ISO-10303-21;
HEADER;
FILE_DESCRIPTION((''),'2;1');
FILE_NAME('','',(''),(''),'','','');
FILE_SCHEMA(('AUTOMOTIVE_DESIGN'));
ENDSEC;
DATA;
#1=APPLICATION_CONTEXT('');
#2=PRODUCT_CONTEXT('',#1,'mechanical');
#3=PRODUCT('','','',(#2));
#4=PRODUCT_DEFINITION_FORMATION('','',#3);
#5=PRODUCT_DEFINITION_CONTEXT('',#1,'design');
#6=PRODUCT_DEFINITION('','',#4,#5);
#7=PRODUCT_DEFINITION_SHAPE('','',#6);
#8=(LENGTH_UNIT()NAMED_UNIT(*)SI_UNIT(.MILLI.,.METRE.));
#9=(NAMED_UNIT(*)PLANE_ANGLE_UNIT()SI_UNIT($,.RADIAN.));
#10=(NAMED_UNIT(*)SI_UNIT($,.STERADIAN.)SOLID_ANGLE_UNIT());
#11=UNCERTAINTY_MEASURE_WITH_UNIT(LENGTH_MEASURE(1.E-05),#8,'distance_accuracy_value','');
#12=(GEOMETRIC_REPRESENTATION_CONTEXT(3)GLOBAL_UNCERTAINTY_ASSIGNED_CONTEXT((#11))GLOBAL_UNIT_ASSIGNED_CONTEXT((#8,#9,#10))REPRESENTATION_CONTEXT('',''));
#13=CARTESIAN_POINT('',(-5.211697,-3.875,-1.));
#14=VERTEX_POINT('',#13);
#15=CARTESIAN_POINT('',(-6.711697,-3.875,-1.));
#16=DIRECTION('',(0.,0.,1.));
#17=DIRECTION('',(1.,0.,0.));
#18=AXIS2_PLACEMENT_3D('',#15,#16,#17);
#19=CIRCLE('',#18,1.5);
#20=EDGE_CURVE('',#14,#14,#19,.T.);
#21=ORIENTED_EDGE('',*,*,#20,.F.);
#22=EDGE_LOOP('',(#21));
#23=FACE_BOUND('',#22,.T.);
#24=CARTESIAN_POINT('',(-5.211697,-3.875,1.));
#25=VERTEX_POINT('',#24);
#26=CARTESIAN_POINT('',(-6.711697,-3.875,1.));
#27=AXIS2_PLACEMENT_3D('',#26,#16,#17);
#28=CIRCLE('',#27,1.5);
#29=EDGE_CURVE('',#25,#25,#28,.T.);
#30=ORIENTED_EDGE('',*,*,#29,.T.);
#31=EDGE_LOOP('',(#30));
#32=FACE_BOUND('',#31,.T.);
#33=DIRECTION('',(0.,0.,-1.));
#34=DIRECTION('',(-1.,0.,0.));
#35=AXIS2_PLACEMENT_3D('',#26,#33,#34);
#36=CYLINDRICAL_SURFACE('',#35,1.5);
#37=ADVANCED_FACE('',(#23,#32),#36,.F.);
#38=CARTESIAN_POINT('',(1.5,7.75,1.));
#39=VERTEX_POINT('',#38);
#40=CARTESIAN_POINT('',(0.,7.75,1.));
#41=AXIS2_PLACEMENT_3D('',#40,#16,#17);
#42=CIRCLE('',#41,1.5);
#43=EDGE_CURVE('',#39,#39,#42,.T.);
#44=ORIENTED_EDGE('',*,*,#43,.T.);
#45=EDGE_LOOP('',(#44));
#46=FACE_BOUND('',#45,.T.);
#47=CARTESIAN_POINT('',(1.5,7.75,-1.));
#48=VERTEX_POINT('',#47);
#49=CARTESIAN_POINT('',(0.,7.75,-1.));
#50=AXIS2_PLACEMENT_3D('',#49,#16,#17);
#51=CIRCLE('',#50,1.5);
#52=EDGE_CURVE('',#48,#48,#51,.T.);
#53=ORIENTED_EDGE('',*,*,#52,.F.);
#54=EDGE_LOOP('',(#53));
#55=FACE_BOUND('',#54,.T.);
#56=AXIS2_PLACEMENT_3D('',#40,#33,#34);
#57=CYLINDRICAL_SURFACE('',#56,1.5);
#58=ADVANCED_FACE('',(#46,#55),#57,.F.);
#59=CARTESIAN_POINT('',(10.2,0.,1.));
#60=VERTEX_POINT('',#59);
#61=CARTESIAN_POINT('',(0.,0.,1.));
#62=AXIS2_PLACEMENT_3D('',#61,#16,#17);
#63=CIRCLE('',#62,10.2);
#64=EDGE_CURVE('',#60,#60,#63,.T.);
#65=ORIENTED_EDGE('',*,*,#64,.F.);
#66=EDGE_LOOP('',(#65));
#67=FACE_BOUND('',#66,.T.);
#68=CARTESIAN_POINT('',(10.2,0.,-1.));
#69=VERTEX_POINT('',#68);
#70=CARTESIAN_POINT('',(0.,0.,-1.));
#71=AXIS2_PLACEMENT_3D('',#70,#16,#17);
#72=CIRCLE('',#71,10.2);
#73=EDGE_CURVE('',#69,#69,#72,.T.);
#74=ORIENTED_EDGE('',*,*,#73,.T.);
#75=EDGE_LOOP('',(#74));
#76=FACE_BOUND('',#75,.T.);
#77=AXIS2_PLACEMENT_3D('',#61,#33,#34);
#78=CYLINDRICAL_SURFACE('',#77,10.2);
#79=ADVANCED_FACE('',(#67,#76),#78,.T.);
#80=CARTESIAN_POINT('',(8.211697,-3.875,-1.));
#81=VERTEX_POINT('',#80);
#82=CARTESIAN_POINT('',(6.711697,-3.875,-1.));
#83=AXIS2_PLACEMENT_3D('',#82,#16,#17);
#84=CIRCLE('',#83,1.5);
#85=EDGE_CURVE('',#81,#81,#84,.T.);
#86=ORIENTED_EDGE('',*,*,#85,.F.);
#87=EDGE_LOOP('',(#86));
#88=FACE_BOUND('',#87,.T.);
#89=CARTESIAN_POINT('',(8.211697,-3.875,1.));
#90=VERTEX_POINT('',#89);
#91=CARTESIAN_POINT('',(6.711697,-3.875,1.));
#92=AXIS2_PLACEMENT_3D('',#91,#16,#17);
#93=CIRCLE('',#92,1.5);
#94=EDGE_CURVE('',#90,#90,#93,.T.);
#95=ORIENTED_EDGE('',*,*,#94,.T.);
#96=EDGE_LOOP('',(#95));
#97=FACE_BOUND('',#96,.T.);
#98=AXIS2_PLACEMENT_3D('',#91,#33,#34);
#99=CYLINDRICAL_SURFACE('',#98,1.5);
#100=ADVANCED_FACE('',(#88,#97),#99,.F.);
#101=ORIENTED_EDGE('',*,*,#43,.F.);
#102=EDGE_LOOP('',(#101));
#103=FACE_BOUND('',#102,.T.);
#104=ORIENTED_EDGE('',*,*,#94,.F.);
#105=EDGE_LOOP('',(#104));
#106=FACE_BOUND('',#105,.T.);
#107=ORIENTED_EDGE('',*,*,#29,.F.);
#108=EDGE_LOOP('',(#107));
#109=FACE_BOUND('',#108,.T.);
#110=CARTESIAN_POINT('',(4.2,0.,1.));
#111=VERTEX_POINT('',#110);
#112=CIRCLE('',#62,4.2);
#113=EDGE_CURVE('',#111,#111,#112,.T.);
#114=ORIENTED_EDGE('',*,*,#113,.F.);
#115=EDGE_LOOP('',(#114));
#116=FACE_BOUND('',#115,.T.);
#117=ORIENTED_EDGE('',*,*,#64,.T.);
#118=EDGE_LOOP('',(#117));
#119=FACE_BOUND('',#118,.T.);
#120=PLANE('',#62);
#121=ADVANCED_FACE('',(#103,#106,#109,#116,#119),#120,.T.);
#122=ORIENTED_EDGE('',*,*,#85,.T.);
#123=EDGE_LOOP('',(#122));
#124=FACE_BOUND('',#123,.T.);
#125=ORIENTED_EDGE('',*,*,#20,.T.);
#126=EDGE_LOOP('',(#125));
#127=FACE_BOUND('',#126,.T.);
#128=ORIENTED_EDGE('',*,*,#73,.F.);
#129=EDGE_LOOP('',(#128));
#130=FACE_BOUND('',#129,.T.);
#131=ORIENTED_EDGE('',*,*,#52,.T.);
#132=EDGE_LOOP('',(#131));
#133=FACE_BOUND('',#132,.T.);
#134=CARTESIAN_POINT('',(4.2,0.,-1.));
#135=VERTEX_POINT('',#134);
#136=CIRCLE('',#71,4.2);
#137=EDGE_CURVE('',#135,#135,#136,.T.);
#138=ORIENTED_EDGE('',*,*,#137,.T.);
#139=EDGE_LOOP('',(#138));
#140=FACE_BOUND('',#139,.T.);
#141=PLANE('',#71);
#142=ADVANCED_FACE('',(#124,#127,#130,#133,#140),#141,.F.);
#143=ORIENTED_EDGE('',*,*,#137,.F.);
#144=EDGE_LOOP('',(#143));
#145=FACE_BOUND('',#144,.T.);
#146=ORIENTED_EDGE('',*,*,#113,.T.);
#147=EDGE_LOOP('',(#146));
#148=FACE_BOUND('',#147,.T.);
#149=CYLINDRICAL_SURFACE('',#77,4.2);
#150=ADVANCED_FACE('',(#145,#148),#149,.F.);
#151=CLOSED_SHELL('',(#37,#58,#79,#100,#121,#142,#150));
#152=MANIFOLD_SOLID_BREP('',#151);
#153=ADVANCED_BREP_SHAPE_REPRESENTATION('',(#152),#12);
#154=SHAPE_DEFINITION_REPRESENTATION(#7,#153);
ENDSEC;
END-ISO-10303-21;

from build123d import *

# Parameters (mm, degrees)
SKETCH_1_R      = 10.2
SKETCH_1_R_2    = 1.5
SKETCH_1_R_3    = 4.2
EXTRUDE_1_DEPTH = 1


with BuildPart() as part:
    # Эскиз1 → Бобышка-Вытянуть1 (new, symmetric)
    with BuildSketch(Plane.XY):
        Circle(SKETCH_1_R)
        with Locations((-6.711696879, -3.875)):
            Circle(SKETCH_1_R_2, mode=Mode.SUBTRACT)
        with Locations((0, 7.75)):
            Circle(SKETCH_1_R_2, mode=Mode.SUBTRACT)
        with Locations((6.711696879, -3.875)):
            Circle(SKETCH_1_R_2, mode=Mode.SUBTRACT)
        Circle(SKETCH_1_R_3, mode=Mode.SUBTRACT)
    extrude(amount=EXTRUDE_1_DEPTH, both=True)


solid = part.part
